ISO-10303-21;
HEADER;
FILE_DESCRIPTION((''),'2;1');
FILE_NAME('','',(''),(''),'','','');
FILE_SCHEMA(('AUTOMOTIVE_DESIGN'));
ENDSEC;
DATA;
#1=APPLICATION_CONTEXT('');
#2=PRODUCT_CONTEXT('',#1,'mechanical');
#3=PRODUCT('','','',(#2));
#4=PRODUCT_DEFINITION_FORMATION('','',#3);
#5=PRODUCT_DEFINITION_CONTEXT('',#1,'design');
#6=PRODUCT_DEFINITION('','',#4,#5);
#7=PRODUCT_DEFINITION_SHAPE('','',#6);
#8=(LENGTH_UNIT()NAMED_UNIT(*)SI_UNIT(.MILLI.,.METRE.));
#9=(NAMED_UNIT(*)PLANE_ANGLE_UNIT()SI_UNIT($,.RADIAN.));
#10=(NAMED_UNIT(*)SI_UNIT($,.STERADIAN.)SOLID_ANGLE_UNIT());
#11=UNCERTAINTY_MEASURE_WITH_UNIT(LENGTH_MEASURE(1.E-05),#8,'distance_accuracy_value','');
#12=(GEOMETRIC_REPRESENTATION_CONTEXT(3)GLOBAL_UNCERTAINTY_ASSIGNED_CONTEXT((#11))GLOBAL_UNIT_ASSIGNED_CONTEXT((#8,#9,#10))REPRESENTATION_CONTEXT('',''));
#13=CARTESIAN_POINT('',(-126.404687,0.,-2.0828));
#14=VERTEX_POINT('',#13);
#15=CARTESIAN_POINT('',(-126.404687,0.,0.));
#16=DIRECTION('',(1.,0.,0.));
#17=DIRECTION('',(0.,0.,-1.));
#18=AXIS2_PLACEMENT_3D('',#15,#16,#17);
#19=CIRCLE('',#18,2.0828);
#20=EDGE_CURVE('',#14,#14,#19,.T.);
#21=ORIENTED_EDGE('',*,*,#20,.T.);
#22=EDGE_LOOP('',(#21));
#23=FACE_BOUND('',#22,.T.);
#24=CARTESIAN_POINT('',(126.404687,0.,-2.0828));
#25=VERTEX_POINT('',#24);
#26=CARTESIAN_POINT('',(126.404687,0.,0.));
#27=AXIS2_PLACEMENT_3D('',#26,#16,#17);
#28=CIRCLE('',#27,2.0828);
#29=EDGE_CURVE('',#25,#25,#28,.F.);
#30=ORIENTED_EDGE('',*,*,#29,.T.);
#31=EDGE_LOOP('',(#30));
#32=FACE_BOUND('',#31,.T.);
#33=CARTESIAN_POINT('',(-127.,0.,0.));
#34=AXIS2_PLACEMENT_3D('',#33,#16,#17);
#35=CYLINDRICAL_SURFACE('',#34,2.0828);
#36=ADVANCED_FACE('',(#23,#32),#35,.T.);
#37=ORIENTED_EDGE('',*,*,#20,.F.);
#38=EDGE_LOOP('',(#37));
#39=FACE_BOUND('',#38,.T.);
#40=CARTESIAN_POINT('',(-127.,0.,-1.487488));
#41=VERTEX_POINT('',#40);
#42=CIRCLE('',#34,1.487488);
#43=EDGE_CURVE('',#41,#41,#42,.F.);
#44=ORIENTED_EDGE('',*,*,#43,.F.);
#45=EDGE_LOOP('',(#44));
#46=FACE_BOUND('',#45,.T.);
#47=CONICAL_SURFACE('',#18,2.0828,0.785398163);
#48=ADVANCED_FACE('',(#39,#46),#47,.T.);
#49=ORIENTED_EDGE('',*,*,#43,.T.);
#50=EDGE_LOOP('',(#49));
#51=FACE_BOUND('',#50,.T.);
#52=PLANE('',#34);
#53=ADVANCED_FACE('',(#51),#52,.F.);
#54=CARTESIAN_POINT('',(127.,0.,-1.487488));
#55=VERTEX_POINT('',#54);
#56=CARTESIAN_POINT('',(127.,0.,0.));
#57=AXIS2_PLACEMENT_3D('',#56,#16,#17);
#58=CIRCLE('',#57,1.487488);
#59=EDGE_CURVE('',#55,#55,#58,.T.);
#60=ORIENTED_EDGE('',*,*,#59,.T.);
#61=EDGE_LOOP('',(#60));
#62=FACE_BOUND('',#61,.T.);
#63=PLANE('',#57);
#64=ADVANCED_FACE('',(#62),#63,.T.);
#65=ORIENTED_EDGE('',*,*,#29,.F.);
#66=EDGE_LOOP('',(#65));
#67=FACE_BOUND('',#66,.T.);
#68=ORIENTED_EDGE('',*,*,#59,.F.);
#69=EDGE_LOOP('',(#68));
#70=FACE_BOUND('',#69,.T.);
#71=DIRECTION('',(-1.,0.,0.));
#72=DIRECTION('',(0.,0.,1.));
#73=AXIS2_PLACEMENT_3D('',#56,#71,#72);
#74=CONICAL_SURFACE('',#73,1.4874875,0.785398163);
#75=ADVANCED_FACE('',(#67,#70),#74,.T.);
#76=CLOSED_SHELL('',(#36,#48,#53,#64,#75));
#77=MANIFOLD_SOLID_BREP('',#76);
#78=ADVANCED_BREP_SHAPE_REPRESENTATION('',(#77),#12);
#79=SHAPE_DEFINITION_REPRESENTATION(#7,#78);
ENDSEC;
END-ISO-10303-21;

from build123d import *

# Parameters (mm, degrees)
BOSS_EXTRUDE1_DEPTH      = 127
BOSS_EXTRUDE1_DEPTH_BACK = 127
SKETCH2_R                = 2.0828
CHAMFER1_SIZE            = 0.5953125


with BuildPart() as part:
    # Sketch2 → Boss-Extrude1 (new, two sides: drawn at the far end of the back side and taken through both)
    with BuildSketch(Plane(origin=(0, 0, 0), x_dir=(0, 0, -1), z_dir=(1, 0, 0)).offset(-BOSS_EXTRUDE1_DEPTH_BACK)):
        Circle(SKETCH2_R)
    extrude(amount=BOSS_EXTRUDE1_DEPTH + BOSS_EXTRUDE1_DEPTH_BACK)

    # Chamfer1
    chamfer1_edges = [part.edges().sort_by_distance(p)[0] for p in [
        (-127, 0, 2.0828),
        (127, 0, 2.0828),
    ]]
    chamfer(chamfer1_edges, length=CHAMFER1_SIZE)


solid = part.part
